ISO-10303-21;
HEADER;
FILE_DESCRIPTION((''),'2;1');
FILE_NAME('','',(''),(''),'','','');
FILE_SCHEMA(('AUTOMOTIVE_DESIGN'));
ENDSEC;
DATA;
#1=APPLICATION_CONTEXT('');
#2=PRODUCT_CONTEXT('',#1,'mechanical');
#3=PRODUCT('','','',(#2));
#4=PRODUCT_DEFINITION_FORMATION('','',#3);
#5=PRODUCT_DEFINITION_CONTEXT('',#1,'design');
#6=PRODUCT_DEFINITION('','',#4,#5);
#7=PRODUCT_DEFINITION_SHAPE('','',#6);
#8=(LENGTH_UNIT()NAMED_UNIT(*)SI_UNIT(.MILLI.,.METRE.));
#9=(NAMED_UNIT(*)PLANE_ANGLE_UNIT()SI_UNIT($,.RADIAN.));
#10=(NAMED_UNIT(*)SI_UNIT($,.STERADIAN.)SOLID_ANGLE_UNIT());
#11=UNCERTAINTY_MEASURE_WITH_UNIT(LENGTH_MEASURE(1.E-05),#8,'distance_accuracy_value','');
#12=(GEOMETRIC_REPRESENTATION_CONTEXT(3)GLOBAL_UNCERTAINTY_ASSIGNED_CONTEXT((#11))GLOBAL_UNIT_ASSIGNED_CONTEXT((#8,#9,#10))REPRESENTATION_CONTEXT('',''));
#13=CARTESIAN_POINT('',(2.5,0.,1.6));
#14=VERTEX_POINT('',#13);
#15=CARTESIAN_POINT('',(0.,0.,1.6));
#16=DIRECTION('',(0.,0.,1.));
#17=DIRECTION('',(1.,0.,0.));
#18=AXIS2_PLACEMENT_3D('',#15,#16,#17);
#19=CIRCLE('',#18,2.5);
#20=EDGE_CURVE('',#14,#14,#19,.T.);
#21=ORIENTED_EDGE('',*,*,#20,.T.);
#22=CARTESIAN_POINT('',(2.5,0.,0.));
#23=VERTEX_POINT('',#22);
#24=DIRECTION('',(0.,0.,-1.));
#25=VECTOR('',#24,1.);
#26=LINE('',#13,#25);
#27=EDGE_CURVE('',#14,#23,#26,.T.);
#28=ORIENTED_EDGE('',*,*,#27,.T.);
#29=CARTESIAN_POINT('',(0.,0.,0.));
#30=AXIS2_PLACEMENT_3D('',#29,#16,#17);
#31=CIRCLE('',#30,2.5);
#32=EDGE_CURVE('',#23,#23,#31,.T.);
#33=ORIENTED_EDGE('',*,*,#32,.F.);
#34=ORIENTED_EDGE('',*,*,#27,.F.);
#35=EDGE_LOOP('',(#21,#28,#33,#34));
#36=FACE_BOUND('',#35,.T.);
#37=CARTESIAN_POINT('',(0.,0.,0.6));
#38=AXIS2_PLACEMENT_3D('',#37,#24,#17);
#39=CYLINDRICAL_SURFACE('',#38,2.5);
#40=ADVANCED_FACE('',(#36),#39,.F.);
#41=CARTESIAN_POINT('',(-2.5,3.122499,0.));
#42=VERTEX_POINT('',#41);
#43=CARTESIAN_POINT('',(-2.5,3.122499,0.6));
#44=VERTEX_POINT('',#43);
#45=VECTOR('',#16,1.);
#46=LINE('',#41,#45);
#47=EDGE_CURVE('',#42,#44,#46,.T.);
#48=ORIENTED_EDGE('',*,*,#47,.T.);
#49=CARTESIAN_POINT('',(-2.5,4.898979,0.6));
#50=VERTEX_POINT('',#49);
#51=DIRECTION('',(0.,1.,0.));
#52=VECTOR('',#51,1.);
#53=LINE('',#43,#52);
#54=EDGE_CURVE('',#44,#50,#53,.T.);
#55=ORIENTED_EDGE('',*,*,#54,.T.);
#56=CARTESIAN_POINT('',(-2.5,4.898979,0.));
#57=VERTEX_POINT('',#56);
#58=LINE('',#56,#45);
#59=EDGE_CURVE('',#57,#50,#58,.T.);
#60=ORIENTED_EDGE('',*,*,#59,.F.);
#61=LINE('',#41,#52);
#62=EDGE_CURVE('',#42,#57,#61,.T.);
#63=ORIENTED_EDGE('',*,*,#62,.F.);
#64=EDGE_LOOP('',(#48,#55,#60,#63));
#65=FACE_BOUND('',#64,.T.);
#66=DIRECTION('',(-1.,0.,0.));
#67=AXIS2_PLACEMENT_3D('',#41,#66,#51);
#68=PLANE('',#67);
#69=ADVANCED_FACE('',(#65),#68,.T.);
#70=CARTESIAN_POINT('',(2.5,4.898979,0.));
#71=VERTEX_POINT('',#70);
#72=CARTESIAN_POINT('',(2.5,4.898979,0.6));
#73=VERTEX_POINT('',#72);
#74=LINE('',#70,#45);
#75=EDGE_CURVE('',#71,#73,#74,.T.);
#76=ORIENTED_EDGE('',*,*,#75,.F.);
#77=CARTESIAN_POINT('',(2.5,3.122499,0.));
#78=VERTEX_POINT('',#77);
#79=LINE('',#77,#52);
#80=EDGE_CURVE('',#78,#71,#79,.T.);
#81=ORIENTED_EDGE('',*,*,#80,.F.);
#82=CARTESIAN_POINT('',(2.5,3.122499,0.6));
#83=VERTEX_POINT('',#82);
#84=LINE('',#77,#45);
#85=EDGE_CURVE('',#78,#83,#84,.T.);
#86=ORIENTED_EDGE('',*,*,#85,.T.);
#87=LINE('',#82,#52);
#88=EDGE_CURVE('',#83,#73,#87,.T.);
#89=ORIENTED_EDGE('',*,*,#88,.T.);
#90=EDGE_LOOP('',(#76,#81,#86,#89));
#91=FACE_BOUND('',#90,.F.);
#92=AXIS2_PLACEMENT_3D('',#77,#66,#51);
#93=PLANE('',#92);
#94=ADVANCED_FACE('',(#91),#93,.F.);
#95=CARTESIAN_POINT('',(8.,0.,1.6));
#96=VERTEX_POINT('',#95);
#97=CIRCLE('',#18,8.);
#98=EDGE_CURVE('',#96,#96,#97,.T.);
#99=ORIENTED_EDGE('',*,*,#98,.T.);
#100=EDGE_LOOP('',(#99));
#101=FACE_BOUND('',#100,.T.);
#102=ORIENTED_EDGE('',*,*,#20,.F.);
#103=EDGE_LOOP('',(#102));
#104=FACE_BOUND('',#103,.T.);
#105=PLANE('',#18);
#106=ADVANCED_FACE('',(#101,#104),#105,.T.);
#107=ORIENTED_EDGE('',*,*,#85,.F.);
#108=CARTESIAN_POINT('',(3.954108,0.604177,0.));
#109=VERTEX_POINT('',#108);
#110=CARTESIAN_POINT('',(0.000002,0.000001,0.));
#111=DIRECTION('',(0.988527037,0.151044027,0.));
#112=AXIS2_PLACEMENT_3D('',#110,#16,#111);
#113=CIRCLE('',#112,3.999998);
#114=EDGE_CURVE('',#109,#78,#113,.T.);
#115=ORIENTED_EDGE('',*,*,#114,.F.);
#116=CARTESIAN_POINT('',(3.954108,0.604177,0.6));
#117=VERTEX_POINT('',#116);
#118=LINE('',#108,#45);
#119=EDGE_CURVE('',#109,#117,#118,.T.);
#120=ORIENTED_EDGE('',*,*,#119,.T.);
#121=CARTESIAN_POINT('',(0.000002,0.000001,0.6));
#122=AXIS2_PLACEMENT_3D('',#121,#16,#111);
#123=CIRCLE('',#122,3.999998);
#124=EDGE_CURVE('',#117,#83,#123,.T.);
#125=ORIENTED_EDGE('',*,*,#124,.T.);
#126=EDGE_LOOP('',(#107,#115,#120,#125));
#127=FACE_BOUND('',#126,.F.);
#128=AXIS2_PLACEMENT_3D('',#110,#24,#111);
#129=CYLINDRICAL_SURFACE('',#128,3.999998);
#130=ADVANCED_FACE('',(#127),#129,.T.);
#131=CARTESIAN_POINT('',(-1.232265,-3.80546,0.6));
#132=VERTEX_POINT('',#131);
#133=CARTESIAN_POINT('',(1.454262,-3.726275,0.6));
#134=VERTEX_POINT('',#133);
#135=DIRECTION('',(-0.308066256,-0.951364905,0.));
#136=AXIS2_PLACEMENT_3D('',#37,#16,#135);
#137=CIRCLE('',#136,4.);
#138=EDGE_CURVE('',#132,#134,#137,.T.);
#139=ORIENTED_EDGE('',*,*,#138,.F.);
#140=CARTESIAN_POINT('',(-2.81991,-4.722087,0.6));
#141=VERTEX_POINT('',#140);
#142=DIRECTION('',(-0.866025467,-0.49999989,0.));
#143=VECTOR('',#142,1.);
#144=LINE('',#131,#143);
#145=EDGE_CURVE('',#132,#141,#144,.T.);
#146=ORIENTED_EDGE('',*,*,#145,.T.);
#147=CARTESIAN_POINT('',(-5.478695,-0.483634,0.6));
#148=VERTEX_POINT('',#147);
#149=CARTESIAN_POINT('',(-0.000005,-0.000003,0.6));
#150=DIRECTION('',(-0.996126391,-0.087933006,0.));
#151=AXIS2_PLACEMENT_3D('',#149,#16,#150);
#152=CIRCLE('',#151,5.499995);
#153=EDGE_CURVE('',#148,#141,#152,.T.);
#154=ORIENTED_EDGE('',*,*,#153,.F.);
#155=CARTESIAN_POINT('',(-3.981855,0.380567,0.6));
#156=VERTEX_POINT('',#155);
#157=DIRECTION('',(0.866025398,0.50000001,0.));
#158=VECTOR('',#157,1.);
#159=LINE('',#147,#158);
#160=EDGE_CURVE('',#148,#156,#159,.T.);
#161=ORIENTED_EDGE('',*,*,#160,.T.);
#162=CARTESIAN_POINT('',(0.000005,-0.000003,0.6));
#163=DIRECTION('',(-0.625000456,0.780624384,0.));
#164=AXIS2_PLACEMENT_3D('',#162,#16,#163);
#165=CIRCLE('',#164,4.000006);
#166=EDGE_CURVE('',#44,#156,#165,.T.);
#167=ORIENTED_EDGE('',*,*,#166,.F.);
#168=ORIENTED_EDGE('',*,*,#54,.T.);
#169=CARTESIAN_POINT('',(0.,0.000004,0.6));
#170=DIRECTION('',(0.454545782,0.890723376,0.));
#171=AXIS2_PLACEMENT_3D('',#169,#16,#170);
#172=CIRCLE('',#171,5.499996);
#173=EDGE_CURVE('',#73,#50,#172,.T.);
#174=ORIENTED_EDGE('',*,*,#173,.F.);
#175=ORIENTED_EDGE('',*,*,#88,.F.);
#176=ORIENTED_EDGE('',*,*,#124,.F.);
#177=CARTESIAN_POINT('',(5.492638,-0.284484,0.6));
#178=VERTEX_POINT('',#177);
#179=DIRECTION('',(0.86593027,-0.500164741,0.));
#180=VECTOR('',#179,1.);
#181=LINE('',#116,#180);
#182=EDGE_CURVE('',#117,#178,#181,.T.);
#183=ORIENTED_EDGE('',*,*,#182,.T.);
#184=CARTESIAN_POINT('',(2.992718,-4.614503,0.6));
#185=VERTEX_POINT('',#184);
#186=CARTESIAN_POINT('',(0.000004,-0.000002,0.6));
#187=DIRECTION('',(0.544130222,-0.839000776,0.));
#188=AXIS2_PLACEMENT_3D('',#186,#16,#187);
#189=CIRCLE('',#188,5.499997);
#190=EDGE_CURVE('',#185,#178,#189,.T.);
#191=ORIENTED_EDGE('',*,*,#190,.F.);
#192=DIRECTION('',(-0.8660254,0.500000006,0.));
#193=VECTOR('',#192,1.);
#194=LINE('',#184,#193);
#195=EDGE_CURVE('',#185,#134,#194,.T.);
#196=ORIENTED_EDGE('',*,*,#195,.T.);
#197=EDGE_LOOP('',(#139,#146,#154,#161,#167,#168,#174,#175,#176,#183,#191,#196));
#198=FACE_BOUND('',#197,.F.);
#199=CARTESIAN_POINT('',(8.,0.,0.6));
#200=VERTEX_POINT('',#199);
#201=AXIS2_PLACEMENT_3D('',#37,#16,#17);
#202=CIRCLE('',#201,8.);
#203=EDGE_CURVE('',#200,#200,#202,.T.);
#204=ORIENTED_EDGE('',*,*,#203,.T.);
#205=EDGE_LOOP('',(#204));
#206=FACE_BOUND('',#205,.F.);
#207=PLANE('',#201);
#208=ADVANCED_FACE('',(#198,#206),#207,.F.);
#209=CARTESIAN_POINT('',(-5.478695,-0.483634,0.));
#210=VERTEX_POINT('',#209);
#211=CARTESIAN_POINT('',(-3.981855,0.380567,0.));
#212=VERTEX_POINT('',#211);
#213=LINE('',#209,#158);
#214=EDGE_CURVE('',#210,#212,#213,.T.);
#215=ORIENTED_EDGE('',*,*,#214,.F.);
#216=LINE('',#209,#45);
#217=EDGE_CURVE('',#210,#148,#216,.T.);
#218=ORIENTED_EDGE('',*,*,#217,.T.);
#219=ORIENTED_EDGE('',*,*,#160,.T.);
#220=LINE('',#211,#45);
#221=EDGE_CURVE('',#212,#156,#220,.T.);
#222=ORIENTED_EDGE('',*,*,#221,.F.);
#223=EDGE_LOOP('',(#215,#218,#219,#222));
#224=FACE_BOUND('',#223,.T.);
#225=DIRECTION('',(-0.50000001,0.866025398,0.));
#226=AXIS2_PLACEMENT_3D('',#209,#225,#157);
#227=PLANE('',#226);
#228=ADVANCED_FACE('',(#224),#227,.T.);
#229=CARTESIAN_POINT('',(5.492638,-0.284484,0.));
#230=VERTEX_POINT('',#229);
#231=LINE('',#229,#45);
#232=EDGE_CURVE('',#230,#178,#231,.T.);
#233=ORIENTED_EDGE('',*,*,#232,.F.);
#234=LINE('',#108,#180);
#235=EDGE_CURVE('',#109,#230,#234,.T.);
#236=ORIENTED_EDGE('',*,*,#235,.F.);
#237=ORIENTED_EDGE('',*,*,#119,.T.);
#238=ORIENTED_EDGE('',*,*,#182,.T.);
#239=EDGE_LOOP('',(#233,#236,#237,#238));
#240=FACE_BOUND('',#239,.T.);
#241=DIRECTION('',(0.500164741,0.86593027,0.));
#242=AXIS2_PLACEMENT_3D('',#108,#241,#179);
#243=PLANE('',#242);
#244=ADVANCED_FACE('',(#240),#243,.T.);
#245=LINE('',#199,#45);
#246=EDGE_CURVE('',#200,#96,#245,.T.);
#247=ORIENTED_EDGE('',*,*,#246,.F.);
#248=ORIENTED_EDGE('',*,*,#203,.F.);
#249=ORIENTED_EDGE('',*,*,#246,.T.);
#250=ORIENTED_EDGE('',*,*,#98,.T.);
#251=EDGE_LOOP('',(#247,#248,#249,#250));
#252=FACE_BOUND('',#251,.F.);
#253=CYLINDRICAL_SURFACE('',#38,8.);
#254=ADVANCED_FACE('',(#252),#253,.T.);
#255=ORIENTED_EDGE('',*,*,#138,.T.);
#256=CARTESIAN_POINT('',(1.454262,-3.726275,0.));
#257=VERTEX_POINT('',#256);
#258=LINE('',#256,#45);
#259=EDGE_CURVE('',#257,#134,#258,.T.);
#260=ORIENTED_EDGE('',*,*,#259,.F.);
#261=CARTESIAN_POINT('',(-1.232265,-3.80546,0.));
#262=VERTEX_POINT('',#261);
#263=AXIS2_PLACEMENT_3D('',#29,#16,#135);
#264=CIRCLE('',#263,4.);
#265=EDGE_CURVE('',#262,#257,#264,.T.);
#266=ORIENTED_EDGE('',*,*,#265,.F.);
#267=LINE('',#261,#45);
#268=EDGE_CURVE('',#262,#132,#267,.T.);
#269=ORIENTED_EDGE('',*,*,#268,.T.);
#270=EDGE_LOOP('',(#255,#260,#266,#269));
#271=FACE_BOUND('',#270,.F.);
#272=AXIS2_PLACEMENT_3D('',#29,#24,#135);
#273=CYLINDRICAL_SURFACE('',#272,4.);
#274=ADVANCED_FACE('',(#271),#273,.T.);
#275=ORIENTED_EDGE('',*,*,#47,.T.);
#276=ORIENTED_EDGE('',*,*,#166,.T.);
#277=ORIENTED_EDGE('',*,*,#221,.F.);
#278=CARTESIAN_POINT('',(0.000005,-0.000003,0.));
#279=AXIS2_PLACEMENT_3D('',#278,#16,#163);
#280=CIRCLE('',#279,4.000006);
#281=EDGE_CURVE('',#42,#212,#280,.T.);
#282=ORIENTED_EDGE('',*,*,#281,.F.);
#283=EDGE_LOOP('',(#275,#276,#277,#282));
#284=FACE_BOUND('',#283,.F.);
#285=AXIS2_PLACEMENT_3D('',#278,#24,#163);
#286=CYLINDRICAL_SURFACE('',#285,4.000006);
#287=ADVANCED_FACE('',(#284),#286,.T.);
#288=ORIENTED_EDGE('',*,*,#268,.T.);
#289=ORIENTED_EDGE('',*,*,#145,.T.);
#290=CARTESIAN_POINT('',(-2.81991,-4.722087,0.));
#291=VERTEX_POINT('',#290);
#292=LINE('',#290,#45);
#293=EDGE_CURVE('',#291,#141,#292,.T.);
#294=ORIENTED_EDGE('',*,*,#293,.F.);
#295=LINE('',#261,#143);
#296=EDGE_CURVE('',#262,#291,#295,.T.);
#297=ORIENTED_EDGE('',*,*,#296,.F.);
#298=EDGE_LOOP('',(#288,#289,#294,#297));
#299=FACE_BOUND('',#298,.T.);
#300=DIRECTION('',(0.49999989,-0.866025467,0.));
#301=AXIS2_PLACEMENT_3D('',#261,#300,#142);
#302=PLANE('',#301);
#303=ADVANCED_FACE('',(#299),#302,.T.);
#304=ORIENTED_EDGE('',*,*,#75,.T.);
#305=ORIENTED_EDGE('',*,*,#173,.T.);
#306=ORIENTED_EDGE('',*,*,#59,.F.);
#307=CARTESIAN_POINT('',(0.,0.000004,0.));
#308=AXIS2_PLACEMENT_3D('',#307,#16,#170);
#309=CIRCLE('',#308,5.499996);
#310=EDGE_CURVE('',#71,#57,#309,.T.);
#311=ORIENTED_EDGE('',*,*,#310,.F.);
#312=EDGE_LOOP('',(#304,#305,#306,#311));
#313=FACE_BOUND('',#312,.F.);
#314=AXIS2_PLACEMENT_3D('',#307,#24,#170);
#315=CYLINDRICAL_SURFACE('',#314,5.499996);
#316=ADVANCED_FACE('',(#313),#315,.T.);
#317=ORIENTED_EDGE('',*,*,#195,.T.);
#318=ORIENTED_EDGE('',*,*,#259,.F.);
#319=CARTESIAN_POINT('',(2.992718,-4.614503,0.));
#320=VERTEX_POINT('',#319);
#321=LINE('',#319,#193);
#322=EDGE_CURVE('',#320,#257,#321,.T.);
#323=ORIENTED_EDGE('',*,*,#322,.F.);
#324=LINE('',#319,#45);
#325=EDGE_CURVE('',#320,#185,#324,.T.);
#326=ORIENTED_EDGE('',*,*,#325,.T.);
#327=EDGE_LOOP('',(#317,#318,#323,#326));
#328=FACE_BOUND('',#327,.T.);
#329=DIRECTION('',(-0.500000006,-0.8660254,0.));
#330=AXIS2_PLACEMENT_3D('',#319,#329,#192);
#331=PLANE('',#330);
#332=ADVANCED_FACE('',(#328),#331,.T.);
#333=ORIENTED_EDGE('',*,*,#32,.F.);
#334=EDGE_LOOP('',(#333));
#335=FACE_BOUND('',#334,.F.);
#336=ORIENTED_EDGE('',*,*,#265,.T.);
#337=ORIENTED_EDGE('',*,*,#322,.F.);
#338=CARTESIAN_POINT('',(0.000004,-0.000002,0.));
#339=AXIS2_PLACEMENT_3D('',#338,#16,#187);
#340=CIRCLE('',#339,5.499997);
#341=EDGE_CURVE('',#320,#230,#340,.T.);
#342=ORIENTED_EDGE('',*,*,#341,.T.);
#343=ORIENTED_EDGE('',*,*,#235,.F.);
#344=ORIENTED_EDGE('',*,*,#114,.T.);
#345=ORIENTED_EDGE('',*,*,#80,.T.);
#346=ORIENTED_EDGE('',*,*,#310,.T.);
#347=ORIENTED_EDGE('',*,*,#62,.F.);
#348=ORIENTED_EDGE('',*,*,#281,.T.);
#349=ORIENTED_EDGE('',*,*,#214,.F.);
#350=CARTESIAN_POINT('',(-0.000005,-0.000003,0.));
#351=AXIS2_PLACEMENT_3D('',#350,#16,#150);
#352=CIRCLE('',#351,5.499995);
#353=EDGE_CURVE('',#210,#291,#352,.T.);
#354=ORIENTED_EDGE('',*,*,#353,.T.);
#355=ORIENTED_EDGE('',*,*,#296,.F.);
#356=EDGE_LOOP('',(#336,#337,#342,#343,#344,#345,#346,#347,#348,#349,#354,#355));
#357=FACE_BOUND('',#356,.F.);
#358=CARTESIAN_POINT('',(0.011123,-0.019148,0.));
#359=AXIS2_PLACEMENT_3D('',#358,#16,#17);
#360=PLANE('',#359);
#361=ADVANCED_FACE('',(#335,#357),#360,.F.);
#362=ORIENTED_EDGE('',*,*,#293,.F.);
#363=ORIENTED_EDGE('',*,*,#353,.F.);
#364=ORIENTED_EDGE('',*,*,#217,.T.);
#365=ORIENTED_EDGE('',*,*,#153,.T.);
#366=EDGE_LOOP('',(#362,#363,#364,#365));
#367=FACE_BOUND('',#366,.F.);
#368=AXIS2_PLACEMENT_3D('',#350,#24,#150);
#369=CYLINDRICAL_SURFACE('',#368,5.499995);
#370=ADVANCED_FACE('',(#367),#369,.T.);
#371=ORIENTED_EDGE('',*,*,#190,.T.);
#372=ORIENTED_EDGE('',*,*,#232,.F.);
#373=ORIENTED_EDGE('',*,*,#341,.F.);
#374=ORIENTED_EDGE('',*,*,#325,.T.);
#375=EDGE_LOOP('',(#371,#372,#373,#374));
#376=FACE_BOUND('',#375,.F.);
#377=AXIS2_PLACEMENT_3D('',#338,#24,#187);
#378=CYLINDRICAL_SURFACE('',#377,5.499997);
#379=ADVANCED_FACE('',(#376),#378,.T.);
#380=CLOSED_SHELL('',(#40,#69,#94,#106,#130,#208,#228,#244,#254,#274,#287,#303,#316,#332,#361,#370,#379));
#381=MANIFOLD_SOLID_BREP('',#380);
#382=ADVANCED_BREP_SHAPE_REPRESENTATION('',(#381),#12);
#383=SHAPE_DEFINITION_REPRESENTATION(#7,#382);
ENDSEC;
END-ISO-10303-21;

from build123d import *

# Parameters (mm, degrees)
SKETCH_R      = 2.5
PAD_DEPTH     = 0.6
SKETCH002_R   = 8
SKETCH002_R_2 = 2.5
PAD001_DEPTH  = 1


with BuildPart() as part:
    # Sketch → Pad (new body)
    with BuildSketch(Plane.XY):
        with BuildLine():
            ThreePointArc((-2.5, 3.122499), (-3.518971, 1.901799), (-3.981855, 0.380567))
            Line((-5.478695, -0.483634), (-3.981855, 0.380567))
            ThreePointArc((-5.478695, -0.483634), (-4.659167, -2.922699), (-2.81991, -4.722087))
            Line((-1.232265, -3.80546), (-2.81991, -4.722087))
            ThreePointArc((-1.232265, -3.80546), (0.117848, -3.998264), (1.454262, -3.726275))
            Line((2.992718, -4.614503), (1.454262, -3.726275))
            ThreePointArc((2.992718, -4.614503), (4.763149, -2.749985), (5.492638, -0.284484))
            Line((3.954108, 0.604177), (5.492638, -0.284484))
            ThreePointArc((3.954108, 0.604177), (3.46401, 2.000159), (2.5, 3.122499))
            Line((2.5, 3.122499), (2.5, 4.898979))
            ThreePointArc((2.5, 4.898979), (0, 5.5), (-2.5, 4.898979))
            Line((-2.5, 3.122499), (-2.5, 4.898979))
        make_face()
        Circle(SKETCH_R, mode=Mode.SUBTRACT)
    extrude(amount=PAD_DEPTH)

    # Sketch002 (on Face15 of Pad) → Pad001 (join)
    with BuildSketch(Plane.XY.offset(0.6)):
        Circle(SKETCH002_R)
        Circle(SKETCH002_R_2, mode=Mode.SUBTRACT)
    extrude(amount=PAD001_DEPTH)


solid = part.part
